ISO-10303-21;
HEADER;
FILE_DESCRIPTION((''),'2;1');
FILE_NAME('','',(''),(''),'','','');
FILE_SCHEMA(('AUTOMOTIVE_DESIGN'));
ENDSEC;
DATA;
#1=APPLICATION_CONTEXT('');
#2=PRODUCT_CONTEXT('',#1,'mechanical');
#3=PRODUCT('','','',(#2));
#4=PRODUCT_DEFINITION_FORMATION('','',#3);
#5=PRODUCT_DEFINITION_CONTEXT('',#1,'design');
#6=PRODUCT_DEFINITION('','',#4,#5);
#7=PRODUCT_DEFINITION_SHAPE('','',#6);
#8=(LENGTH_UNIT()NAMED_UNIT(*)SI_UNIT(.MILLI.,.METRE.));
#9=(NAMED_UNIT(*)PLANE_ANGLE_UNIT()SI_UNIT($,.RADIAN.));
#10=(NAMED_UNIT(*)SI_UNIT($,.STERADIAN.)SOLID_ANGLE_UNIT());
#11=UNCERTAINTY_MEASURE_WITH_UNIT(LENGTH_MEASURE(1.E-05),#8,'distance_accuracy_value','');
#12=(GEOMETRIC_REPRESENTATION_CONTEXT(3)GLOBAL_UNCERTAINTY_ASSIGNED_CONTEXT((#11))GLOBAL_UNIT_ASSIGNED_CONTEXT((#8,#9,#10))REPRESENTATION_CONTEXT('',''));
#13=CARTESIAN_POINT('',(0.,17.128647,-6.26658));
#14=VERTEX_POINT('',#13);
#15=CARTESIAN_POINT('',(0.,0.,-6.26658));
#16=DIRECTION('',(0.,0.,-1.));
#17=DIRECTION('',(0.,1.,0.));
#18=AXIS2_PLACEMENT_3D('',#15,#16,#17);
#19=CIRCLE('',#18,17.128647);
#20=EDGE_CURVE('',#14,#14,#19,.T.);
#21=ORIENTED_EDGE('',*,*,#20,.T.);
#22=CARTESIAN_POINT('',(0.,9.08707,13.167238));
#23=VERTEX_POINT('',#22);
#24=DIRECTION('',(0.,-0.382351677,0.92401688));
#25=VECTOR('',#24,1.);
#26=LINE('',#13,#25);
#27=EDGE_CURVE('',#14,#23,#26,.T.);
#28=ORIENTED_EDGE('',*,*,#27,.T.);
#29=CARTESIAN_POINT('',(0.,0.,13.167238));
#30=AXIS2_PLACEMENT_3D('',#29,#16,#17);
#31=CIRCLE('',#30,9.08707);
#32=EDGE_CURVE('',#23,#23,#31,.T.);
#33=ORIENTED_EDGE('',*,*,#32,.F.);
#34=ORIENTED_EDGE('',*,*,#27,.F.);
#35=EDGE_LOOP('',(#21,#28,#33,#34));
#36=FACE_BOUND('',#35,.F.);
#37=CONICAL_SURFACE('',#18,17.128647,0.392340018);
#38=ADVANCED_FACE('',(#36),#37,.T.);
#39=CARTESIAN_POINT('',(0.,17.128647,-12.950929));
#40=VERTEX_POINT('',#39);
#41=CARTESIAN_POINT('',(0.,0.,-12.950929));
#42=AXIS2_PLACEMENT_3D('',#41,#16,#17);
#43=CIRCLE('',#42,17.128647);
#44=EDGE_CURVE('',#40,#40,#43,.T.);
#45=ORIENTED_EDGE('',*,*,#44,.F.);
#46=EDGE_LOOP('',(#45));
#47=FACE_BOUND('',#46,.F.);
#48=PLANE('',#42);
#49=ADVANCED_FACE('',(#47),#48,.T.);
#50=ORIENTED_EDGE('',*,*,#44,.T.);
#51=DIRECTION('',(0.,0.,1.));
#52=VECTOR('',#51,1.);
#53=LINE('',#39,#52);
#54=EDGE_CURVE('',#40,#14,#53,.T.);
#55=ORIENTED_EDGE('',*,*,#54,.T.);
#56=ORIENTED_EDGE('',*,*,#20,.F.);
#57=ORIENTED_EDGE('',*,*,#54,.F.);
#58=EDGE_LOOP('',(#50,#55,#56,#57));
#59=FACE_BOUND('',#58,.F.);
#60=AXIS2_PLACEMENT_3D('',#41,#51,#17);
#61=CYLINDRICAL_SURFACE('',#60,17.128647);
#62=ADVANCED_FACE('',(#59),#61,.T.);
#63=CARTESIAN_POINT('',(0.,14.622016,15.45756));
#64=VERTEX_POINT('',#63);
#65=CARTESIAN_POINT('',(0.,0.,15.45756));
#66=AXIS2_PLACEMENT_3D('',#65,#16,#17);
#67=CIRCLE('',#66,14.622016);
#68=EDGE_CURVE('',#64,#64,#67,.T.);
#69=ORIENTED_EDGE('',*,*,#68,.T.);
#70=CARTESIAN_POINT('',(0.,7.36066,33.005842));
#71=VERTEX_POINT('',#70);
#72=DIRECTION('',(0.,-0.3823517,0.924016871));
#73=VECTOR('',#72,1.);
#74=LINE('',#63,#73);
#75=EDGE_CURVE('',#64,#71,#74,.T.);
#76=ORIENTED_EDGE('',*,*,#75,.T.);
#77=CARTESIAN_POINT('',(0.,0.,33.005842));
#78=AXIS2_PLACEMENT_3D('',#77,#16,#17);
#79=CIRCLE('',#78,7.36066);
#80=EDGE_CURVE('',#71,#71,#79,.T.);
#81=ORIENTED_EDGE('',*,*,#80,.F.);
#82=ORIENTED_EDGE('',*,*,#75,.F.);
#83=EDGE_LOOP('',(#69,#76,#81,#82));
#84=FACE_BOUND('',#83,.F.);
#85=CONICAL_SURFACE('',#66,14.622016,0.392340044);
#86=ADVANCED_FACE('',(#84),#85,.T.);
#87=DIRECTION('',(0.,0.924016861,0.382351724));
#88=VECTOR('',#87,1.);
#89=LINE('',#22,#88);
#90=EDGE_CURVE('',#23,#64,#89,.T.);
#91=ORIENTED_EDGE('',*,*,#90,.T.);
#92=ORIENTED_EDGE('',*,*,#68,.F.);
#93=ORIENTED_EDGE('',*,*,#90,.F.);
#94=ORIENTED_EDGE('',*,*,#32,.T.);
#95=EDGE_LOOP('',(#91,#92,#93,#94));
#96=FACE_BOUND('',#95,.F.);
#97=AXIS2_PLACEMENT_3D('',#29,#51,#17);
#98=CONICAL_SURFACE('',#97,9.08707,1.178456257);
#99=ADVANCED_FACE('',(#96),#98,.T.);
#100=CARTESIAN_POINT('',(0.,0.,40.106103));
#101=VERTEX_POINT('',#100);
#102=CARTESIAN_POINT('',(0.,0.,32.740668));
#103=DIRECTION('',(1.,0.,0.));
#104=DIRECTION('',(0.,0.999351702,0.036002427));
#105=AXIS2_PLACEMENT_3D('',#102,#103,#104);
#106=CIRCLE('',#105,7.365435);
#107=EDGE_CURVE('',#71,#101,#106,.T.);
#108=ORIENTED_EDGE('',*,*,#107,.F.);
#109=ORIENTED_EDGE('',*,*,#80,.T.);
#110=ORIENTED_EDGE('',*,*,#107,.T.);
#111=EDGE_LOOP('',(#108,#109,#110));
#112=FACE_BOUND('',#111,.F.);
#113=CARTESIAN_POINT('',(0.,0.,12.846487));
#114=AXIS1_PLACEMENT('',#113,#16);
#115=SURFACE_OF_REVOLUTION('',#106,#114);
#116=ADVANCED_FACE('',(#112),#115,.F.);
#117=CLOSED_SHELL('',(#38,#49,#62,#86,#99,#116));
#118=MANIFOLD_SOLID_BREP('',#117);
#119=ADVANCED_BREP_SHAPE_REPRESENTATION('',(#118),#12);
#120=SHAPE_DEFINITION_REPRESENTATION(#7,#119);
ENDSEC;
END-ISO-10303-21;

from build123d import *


with BuildPart() as f1:
    # F0 (on Right) → F1 (revolve)
    with BuildSketch(Plane.YZ):
        with BuildLine():
            Line((14.622016, 15.45756), (7.36066, 33.005842))
            ThreePointArc((7.36066, 33.005842), (5.113537, 38.041741), (0, 40.106103))
            Line((0, 40.106103), (0, -12.950929))
            Line((0, -12.950929), (17.128647, -12.950929))
            Line((17.128647, -12.950929), (17.128647, -6.26658))
            Line((17.128647, -6.26658), (9.08707, 13.167238))
            Line((9.08707, 13.167238), (14.622016, 15.45756))
        make_face()
    revolve(axis=Axis((0, 0, 12.846487), (0, 0, -1)))


solid = f1.part
